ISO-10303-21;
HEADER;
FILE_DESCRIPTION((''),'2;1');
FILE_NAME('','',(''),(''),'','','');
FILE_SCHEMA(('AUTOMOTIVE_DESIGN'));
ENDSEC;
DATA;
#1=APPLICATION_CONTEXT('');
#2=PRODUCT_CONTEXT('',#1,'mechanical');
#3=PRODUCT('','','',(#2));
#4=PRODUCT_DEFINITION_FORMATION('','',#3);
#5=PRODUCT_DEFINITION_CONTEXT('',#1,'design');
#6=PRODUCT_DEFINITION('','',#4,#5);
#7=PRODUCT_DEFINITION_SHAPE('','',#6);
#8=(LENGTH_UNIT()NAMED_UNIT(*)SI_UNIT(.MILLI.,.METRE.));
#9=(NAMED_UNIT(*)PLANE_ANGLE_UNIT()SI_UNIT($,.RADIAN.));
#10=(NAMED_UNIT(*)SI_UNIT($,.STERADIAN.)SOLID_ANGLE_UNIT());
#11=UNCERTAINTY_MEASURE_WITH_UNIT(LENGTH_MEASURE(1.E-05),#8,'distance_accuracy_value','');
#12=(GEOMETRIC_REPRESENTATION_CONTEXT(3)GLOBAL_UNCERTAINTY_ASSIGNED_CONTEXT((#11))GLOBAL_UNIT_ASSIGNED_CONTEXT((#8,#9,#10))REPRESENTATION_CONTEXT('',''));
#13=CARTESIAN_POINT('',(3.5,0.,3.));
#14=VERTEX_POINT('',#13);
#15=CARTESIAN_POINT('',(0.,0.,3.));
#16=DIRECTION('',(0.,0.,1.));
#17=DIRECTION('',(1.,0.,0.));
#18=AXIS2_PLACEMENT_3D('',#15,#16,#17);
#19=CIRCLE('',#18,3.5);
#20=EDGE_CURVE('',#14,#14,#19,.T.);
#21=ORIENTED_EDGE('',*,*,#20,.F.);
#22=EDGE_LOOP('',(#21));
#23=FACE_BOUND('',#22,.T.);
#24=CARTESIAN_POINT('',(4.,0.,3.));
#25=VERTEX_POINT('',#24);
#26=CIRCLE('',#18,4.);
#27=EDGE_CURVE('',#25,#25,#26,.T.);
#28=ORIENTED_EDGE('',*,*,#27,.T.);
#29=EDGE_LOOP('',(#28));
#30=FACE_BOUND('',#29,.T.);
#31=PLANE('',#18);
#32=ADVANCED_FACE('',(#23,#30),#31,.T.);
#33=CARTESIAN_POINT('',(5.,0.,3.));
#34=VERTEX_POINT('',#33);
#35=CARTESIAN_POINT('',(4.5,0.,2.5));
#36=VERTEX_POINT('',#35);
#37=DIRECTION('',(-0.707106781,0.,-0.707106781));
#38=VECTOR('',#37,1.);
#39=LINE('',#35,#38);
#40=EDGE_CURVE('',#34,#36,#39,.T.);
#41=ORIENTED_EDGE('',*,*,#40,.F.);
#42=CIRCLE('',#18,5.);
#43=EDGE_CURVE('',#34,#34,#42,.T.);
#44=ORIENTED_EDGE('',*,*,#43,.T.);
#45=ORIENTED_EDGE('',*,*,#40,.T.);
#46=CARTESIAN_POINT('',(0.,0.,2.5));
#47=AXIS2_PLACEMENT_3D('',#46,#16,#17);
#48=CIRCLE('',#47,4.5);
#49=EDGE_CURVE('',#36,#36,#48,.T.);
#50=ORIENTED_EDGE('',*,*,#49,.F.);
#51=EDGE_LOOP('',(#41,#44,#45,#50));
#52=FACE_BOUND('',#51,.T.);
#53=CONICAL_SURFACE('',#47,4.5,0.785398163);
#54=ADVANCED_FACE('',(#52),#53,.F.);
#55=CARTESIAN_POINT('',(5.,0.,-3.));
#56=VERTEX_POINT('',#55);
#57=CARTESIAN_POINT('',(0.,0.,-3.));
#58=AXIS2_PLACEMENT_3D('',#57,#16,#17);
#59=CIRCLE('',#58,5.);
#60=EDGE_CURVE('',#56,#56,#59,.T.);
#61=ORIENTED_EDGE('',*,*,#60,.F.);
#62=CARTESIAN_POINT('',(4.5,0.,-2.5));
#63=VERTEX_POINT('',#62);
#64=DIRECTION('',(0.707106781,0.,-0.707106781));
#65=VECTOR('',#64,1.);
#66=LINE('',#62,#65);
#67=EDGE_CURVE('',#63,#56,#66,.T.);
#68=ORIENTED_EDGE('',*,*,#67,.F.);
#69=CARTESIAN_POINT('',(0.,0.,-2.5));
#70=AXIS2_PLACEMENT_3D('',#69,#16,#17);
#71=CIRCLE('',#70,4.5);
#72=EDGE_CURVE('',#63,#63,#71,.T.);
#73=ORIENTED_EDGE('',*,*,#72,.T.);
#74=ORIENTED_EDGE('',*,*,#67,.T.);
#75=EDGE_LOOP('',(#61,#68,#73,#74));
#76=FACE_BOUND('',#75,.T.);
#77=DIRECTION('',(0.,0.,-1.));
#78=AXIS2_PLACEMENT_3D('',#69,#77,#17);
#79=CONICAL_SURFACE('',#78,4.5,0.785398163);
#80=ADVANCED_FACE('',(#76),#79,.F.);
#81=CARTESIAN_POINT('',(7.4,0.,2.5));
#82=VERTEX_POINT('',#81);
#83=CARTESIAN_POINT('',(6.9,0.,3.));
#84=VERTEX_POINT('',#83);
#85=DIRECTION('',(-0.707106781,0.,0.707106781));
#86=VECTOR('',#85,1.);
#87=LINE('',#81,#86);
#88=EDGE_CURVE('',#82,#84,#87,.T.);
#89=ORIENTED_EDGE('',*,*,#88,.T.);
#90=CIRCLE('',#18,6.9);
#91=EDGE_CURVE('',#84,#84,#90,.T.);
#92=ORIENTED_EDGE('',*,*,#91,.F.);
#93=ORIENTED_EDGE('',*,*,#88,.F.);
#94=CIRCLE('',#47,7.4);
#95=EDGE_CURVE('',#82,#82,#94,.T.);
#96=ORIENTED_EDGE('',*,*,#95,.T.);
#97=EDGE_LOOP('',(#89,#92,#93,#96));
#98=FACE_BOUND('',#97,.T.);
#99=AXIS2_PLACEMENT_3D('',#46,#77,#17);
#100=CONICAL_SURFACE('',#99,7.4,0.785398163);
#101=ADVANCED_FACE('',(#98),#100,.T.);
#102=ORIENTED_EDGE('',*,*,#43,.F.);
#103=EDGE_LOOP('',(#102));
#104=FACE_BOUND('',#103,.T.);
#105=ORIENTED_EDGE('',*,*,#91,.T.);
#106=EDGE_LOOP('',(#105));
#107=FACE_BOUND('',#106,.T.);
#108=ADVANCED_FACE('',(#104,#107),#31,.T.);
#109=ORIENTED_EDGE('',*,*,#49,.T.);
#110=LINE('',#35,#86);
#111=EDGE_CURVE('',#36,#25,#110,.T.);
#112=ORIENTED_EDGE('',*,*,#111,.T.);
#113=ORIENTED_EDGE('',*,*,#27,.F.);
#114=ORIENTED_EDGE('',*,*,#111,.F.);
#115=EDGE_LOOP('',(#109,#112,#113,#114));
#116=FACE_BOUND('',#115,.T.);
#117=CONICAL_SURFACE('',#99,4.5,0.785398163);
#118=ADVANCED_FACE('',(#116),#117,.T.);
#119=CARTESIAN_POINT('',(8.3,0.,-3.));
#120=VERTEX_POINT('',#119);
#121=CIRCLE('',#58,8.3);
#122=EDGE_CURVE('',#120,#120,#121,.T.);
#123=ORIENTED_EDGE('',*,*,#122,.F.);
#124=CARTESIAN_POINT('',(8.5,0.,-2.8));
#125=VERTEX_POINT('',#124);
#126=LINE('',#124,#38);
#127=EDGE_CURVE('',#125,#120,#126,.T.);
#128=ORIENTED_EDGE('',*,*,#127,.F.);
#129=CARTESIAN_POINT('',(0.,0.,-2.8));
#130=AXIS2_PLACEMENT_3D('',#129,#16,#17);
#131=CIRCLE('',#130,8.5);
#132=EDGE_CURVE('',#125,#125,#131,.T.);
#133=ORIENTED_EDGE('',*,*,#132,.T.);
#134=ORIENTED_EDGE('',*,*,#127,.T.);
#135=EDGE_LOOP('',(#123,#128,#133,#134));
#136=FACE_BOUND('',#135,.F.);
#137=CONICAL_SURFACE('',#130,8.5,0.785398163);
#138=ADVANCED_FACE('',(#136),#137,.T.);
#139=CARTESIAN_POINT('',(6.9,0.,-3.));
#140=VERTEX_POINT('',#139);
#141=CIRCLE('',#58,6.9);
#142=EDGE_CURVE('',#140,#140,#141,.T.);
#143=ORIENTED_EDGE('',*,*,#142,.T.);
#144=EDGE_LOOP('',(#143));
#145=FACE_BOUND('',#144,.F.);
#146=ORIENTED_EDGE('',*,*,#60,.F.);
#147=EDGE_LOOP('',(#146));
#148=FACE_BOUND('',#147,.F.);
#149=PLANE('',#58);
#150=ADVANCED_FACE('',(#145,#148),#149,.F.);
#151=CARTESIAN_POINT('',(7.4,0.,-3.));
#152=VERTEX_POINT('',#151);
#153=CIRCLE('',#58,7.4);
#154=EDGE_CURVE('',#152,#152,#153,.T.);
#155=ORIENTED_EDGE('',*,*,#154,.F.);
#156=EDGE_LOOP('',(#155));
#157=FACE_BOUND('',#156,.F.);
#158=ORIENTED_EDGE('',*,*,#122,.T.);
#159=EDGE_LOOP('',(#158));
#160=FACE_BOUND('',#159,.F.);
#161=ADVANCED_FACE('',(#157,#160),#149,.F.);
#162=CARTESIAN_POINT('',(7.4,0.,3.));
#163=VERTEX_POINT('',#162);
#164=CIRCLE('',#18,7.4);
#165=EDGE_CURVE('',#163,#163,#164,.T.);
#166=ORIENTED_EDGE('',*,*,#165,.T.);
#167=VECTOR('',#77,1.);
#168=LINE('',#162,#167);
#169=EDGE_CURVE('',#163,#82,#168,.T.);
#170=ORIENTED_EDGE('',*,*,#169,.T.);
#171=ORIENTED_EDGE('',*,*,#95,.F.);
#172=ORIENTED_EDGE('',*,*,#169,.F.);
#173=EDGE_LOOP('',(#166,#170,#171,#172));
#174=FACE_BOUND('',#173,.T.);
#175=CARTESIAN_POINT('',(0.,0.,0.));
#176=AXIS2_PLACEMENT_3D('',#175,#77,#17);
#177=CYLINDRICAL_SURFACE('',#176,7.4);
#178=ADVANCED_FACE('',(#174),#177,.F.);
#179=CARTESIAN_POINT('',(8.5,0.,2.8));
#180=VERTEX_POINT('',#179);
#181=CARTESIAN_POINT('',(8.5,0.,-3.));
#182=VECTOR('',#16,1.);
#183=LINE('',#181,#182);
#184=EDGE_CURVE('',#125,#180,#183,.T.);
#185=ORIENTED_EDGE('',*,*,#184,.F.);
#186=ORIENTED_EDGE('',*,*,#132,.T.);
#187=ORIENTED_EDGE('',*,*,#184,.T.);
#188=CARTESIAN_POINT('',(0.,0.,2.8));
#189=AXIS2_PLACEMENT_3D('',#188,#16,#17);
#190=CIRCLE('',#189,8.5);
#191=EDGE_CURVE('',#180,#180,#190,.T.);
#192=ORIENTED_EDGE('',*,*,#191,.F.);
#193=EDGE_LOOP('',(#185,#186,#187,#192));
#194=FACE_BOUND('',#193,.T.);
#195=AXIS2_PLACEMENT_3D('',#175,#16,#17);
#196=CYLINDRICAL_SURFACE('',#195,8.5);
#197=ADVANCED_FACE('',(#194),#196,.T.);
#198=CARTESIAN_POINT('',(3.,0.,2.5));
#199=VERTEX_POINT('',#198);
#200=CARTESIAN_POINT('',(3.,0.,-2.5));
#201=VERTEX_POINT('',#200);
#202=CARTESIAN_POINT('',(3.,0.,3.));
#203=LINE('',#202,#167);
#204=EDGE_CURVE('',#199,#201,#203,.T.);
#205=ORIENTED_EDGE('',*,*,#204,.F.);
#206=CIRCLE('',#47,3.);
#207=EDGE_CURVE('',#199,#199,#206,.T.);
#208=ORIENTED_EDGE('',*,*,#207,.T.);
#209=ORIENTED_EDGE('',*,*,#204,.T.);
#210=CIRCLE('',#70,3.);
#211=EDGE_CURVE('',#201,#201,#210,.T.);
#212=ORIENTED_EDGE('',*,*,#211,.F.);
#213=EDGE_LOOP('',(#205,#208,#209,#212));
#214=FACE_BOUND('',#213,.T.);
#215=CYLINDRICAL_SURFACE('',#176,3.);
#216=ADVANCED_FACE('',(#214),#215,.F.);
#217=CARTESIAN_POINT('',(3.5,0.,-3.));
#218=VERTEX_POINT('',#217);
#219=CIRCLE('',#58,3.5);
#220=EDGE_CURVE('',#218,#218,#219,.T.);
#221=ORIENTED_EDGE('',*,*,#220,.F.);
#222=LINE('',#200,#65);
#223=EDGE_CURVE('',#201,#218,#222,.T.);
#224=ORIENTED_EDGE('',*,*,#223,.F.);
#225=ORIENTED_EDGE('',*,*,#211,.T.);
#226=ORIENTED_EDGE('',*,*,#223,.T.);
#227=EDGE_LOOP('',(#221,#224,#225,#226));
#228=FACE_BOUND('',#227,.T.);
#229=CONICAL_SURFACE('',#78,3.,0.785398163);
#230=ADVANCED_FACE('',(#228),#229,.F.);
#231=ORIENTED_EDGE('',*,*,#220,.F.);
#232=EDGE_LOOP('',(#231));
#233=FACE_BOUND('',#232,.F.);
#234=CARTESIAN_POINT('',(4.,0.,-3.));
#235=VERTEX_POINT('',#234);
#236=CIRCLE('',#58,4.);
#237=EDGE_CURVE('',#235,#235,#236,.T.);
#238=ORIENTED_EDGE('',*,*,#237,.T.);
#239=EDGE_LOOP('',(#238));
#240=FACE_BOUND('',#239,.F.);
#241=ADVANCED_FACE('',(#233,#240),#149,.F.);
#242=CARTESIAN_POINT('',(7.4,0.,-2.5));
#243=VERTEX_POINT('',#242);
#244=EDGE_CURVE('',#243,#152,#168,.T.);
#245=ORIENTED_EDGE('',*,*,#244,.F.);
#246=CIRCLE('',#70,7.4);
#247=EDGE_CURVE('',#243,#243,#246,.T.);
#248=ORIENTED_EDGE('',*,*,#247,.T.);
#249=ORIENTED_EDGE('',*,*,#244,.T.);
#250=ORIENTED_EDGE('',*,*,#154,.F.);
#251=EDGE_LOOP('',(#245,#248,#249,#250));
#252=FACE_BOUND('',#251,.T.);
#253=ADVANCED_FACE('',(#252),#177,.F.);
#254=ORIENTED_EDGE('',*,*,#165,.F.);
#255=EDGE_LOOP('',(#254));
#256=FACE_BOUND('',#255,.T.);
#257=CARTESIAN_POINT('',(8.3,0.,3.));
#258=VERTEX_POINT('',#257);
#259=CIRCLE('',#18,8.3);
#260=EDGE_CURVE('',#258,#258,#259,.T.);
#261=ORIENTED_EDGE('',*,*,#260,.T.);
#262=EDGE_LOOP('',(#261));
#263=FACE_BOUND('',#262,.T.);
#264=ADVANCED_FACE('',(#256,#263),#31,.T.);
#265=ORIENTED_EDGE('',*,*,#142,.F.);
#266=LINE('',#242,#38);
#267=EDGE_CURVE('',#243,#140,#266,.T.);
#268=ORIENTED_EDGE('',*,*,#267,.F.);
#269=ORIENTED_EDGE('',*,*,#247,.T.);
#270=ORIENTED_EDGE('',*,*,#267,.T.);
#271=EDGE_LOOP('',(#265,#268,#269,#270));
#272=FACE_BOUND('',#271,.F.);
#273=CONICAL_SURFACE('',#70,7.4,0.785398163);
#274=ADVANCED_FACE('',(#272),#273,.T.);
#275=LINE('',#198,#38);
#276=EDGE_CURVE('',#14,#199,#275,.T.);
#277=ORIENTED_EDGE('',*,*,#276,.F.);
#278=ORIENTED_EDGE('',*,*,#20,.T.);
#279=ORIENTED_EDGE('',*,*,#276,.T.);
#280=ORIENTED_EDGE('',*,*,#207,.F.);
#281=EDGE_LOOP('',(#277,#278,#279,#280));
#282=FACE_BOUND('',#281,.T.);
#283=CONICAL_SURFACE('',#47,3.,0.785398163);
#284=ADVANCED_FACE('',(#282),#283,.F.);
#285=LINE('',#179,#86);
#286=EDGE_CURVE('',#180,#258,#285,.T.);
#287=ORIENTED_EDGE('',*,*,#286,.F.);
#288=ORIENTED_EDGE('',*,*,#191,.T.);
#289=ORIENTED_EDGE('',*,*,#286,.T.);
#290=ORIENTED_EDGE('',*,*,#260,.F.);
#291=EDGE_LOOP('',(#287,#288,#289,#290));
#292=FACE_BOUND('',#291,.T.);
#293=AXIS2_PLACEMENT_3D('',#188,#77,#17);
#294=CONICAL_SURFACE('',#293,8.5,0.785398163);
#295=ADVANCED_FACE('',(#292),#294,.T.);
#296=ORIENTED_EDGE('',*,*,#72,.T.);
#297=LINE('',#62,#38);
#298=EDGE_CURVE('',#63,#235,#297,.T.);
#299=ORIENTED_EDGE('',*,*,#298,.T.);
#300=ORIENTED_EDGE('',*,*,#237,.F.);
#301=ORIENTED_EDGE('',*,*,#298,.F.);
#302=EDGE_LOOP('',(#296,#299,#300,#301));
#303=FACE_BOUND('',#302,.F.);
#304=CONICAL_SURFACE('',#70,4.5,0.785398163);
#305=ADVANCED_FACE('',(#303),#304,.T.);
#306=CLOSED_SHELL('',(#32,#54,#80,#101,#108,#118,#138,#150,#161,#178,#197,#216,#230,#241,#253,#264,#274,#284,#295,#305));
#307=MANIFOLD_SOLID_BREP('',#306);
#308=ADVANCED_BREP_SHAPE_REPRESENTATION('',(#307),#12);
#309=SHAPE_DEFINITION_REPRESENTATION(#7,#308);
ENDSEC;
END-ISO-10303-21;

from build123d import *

# Parameters (mm, degrees)
SKETCH001_R     = 4.5
SKETCH001_R_2   = 3
PAD001_DEPTH    = 3
CHAMFER_SIZE    = 0.5
SKETCH002_R     = 7.4
SKETCH002_R_2   = 4.5
PAD002_DEPTH    = 3
CHAMFER001_SIZE = 0.5
SKETCH_R        = 8.5
SKETCH_R_2      = 7.4
PAD_DEPTH       = 3
CHAMFER002_SIZE = 0.2


with BuildPart() as innerrace:
    # Sketch001 → Pad001 (new body, symmetric)
    with BuildSketch(Plane.XY):
        Circle(SKETCH001_R)
        Circle(SKETCH001_R_2, mode=Mode.SUBTRACT)
    extrude(amount=PAD001_DEPTH, both=True)

    # Chamfer
    chamfer_edges = [innerrace.edges().sort_by_distance(p)[0] for p in [
        (-4.5, 0, 3),
        (-3, 0, 3),
        (-4.5, 0, -3),
        (-3, 0, -3),
    ]]
    chamfer(chamfer_edges, length=CHAMFER_SIZE)


with BuildPart() as seal:
    # Sketch002 → Pad002 (new body, symmetric)
    with BuildSketch(Plane.XY):
        Circle(SKETCH002_R)
        Circle(SKETCH002_R_2, mode=Mode.SUBTRACT)
    extrude(amount=PAD002_DEPTH, both=True)

    # Chamfer001
    chamfer001_edges = [seal.edges().sort_by_distance(p)[0] for p in [
        (-7.4, 0, -3),
        (-4.5, 0, -3),
        (-7.4, 0, 3),
        (-4.5, 0, 3),
    ]]
    chamfer(chamfer001_edges, length=CHAMFER001_SIZE)


with BuildPart() as fusion:
    # Sketch → Pad (new body, symmetric)
    with BuildSketch(Plane.XY):
        Circle(SKETCH_R)
        Circle(SKETCH_R_2, mode=Mode.SUBTRACT)
    extrude(amount=PAD_DEPTH, both=True)

    # Chamfer002
    chamfer002_edges = [fusion.edges().sort_by_distance(p)[0] for p in [
        (8.5, 0, 0),
        (-8.5, 0, -3),
        (-8.5, 0, 3),
    ]]
    chamfer(chamfer002_edges, length=CHAMFER002_SIZE)

    # Fusion: union InnerRace, Seal
    add(innerrace.part)
    add(seal.part)


solid = fusion.part
